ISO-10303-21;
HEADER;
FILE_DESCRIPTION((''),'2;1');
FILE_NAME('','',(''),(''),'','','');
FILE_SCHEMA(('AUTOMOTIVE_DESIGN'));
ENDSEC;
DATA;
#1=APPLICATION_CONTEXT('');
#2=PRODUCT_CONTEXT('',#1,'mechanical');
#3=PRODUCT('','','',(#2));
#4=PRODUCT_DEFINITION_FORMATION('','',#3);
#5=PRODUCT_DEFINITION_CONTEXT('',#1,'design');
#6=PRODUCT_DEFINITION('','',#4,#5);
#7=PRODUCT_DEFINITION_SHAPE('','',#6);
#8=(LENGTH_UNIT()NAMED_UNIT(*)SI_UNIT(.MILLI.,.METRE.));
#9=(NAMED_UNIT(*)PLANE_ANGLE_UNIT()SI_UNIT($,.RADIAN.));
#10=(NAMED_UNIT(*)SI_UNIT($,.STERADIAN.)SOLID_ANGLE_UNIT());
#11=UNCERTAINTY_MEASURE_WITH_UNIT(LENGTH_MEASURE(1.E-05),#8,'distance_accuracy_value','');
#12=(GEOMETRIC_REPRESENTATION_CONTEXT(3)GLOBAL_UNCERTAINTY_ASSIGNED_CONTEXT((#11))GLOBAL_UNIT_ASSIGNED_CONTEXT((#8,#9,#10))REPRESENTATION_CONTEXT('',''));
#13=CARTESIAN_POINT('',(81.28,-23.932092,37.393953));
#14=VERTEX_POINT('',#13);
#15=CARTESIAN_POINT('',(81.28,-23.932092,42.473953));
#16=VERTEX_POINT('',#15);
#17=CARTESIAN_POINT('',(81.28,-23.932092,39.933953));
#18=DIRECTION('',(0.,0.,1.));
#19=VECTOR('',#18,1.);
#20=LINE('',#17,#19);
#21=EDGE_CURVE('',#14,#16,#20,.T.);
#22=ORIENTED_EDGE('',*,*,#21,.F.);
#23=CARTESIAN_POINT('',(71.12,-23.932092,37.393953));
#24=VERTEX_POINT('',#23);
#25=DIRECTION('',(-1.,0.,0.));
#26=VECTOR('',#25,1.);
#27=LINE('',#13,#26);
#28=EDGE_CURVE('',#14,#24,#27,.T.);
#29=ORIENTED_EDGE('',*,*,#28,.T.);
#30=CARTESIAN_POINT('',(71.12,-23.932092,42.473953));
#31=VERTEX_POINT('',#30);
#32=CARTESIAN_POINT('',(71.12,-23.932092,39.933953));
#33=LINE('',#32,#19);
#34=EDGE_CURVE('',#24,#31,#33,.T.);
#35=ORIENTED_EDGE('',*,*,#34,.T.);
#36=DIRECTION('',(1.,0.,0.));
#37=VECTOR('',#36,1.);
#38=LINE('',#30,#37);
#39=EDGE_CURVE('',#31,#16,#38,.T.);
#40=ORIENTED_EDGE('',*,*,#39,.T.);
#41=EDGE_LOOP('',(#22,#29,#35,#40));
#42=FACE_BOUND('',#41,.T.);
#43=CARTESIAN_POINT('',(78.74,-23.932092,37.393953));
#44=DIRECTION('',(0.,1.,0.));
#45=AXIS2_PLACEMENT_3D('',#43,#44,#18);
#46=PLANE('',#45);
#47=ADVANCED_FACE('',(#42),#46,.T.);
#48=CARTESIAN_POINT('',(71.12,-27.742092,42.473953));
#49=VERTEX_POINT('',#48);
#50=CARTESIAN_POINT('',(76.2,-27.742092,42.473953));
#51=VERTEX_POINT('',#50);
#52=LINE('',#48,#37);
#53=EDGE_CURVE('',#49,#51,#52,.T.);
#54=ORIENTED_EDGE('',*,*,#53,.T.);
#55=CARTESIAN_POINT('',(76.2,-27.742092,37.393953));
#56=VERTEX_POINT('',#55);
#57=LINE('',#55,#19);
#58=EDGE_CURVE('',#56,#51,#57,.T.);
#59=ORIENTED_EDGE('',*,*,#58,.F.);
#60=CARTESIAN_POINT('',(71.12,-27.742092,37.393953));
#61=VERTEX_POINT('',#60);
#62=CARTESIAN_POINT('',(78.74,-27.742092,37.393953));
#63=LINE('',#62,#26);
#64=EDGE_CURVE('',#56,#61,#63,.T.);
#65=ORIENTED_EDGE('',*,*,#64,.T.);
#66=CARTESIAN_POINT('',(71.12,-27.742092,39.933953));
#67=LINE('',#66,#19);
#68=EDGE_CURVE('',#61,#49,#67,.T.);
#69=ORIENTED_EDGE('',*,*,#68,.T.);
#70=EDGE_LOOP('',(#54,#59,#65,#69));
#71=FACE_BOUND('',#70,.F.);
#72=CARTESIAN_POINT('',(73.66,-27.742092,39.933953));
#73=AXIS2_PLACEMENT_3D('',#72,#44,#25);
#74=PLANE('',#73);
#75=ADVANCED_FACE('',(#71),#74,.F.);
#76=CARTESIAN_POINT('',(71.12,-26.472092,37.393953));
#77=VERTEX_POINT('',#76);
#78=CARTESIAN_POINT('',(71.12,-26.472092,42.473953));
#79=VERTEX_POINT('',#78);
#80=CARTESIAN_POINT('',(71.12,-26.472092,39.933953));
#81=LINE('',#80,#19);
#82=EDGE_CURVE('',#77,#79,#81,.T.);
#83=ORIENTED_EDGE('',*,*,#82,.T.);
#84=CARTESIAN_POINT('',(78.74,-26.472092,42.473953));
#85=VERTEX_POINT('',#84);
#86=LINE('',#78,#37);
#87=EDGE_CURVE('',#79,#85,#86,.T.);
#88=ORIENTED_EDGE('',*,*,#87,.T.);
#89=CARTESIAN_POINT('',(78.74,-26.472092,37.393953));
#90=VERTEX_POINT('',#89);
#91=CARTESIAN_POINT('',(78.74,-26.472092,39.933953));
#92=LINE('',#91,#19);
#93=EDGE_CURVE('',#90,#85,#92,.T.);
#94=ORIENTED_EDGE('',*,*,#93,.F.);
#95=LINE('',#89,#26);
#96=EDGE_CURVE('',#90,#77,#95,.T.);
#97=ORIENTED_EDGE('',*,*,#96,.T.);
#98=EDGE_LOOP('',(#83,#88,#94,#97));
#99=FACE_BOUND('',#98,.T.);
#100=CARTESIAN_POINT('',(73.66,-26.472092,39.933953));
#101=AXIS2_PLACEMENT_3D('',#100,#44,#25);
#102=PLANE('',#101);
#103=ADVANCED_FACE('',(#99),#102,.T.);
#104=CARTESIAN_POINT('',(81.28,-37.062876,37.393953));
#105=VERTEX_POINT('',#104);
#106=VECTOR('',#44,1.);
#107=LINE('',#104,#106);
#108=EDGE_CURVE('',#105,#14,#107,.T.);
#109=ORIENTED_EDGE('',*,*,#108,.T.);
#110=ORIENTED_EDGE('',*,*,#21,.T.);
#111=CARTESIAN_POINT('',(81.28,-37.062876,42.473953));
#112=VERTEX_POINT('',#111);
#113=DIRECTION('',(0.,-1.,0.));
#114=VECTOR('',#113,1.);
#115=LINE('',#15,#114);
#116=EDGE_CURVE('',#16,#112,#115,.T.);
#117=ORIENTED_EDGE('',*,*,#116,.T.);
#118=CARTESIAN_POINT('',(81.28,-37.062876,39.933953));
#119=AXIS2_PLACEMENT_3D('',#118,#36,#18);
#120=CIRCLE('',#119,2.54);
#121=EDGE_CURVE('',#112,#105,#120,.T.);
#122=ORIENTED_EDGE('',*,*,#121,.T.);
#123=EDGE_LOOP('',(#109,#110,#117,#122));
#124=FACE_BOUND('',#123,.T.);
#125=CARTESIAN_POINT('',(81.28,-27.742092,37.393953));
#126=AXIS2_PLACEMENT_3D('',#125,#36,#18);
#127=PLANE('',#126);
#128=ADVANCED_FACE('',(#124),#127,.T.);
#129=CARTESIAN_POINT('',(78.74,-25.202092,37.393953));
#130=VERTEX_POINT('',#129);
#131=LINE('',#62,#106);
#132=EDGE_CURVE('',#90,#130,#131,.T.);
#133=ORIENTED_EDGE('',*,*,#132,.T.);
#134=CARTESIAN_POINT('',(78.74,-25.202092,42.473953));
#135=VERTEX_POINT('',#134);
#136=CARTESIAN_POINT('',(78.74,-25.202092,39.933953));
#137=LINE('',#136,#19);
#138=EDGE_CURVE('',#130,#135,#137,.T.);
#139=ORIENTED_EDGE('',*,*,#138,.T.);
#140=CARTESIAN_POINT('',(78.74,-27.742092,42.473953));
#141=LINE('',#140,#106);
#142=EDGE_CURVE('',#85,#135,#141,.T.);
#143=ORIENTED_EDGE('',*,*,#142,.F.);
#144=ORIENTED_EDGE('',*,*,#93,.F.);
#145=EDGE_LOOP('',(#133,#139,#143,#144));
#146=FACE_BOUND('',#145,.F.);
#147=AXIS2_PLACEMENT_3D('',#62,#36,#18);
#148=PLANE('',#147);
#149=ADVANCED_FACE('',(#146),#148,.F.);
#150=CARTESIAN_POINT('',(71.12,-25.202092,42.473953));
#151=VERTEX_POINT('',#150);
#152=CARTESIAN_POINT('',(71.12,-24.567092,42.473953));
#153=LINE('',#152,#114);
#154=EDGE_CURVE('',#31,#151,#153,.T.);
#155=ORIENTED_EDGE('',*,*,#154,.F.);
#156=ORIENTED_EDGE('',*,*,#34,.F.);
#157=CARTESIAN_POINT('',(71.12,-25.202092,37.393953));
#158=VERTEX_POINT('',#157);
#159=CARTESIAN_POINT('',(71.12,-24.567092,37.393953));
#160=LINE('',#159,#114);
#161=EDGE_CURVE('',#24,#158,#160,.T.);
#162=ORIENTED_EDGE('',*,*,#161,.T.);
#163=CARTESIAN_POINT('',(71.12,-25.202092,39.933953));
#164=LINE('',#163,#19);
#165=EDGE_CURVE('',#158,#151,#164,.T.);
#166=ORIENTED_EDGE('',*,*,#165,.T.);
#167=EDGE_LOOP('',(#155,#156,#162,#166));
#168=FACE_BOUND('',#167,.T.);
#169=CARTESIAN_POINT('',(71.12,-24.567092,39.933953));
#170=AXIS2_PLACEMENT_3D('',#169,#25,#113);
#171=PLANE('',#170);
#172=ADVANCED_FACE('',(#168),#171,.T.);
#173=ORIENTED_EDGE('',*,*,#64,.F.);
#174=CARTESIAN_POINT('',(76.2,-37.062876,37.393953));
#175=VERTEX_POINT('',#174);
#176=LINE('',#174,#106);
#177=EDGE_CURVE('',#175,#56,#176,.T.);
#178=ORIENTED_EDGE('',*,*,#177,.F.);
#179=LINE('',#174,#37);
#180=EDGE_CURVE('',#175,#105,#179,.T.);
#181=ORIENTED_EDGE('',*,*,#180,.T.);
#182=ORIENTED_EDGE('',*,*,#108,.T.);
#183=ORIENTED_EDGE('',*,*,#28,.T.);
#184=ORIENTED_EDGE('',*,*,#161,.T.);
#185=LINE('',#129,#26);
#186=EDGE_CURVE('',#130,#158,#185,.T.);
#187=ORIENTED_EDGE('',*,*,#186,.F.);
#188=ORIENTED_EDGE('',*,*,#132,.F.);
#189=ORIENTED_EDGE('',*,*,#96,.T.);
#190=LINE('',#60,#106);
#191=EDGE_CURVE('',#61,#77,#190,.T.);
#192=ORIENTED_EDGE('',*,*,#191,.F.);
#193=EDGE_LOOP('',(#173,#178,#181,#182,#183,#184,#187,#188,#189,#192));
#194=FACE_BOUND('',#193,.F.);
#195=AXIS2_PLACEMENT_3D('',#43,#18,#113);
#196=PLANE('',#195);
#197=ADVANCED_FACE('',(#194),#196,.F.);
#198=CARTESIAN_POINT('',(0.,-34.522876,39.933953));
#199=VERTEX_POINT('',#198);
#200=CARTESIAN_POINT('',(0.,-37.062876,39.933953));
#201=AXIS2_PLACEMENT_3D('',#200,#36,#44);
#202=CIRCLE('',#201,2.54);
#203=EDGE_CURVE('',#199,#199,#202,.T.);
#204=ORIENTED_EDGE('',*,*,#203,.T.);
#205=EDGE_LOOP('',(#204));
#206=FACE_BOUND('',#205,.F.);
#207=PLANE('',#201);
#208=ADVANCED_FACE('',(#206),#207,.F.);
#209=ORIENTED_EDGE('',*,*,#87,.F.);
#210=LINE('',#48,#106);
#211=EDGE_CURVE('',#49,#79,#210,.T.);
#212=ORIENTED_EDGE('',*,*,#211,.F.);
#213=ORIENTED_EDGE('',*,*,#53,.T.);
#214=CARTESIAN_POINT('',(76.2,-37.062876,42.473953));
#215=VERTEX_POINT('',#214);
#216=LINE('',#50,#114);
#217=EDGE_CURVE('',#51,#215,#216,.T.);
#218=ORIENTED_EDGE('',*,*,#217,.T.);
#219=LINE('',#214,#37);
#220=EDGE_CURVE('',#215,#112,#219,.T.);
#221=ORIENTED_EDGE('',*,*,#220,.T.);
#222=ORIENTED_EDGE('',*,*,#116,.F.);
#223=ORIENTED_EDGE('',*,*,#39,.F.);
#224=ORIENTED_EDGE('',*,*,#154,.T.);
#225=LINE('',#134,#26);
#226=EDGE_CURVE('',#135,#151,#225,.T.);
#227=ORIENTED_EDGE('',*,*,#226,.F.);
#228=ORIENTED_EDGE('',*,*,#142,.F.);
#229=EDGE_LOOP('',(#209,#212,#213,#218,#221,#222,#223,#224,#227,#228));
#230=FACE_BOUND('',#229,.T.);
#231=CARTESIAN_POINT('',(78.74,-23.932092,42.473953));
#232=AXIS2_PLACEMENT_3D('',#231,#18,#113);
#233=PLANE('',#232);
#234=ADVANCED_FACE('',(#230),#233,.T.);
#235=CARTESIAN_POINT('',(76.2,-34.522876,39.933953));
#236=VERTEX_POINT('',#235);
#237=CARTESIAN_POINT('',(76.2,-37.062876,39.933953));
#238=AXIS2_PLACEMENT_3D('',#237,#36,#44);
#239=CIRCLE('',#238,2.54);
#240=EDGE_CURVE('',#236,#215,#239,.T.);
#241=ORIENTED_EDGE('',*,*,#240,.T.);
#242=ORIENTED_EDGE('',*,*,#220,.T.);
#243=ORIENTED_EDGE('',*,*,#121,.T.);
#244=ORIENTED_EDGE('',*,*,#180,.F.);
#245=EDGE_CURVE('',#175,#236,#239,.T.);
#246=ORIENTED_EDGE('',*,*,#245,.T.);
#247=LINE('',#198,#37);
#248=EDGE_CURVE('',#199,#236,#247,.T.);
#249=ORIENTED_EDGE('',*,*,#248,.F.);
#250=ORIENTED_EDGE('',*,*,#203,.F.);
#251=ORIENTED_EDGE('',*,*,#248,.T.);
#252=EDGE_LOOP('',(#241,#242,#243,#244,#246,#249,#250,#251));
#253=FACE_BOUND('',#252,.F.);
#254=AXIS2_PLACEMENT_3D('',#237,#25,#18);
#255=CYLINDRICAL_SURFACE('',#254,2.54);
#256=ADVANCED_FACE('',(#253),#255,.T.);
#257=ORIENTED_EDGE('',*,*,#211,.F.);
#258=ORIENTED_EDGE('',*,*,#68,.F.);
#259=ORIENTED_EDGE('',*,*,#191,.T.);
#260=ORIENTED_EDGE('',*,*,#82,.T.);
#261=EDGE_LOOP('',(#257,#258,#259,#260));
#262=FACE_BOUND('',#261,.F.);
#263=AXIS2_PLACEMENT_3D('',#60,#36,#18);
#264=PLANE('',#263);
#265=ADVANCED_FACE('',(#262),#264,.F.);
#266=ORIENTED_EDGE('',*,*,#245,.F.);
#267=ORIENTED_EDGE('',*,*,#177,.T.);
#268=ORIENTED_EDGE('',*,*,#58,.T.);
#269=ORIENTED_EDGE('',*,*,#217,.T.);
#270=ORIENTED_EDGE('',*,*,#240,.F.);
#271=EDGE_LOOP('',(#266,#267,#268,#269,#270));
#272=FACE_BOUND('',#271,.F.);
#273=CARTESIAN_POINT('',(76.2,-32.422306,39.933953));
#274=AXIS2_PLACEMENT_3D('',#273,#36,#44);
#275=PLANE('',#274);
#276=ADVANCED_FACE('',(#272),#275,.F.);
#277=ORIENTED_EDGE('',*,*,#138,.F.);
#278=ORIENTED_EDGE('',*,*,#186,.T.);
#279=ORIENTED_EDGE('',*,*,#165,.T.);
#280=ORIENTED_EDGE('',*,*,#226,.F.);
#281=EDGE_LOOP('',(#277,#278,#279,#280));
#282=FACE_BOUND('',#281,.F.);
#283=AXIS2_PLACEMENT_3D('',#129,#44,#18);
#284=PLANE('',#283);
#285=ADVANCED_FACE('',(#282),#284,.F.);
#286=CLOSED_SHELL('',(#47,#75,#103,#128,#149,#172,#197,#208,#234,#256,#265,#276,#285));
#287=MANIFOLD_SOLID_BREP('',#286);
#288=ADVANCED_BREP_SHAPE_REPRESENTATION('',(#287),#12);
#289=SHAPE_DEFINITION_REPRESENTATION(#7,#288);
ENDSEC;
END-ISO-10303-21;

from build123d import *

# Parameters (mm, degrees)
F0_R      = 2.54
F1_DEPTH  = 76.2
F3_DEPTH  = 5.08
F4_W      = 5.08
F4_H      = 5.08
F4_W_2    = 2.54
F5_DEPTH  = 1.27
F3_FACE_W = 2.54
F3_FACE_H = 5.08
F6_DEPTH  = 3.81
F7_W      = 1.27
F7_H      = 5.08
F8_DEPTH  = 7.62


with BuildPart() as f1:
    # F0 (on Right) → F1 (new body)
    with BuildSketch(Plane.YZ):
        with Locations((-37.062876, 39.933953)):
            Circle(F0_R)
    extrude(amount=F1_DEPTH)

    # F2 (on face) → F3 (join)
    with BuildSketch(Plane.YZ.offset(76.2)):
        with BuildLine():
            Line((-27.742092, 42.473953), (-37.062876, 42.473953))
            ThreePointArc((-37.062876, 42.473953), (-35.266825, 41.730005), (-34.522876, 39.933953))
            ThreePointArc((-34.522876, 39.933953), (-35.266825, 38.137902), (-37.062876, 37.393953))
            Line((-37.062876, 37.393953), (-27.742092, 37.393953))
            Line((-27.742092, 37.393953), (-27.742092, 42.473953))
        make_face()
        with BuildLine():
            Line((-37.062876, 42.473953), (-37.062876, 39.933953))
            Line((-37.062876, 39.933953), (-37.062876, 37.393953))
            ThreePointArc((-37.062876, 37.393953), (-35.266825, 38.137902), (-34.522876, 39.933953))
            ThreePointArc((-34.522876, 39.933953), (-35.266825, 41.730005), (-37.062876, 42.473953))
        make_face()
        with BuildLine():
            Line((-37.062876, 37.393953), (-37.062876, 39.933953))
            Line((-37.062876, 39.933953), (-37.062876, 42.473953))
            ThreePointArc((-37.062876, 42.473953), (-39.602876, 39.933953), (-37.062876, 37.393953))
        make_face()
    extrude(amount=F3_DEPTH)

    # F4 (on face) → F5 (join)
    with BuildSketch(Plane(origin=(0, -27.742092, 0), x_dir=(-1, 0, 0), z_dir=(0, 1, 0))):
        with Locations((-73.66, 39.933953)):
            Rectangle(F4_W, F4_H)
        with Locations((-77.47, 39.933953)):
            Rectangle(F4_W_2, F4_H)
    extrude(amount=F5_DEPTH)

    # F3_face (on face) → F6 (join)
    with BuildSketch(Plane(origin=(78.74, -27.742092, 39.933953), x_dir=(-1, 0, 0), z_dir=(0, 1, 0))):
        with Locations((-1.27, 0)):
            Rectangle(F3_FACE_W, F3_FACE_H)
    extrude(amount=F6_DEPTH)

    # F7 (on face) → F8 (join)
    with BuildSketch(Plane(origin=(78.74, 0, 0), x_dir=(0, -1, 0), z_dir=(-1, 0, 0))):
        with Locations((24.567092, 39.933953)):
            Rectangle(F7_W, F7_H)
    extrude(amount=F8_DEPTH)


solid = f1.part
